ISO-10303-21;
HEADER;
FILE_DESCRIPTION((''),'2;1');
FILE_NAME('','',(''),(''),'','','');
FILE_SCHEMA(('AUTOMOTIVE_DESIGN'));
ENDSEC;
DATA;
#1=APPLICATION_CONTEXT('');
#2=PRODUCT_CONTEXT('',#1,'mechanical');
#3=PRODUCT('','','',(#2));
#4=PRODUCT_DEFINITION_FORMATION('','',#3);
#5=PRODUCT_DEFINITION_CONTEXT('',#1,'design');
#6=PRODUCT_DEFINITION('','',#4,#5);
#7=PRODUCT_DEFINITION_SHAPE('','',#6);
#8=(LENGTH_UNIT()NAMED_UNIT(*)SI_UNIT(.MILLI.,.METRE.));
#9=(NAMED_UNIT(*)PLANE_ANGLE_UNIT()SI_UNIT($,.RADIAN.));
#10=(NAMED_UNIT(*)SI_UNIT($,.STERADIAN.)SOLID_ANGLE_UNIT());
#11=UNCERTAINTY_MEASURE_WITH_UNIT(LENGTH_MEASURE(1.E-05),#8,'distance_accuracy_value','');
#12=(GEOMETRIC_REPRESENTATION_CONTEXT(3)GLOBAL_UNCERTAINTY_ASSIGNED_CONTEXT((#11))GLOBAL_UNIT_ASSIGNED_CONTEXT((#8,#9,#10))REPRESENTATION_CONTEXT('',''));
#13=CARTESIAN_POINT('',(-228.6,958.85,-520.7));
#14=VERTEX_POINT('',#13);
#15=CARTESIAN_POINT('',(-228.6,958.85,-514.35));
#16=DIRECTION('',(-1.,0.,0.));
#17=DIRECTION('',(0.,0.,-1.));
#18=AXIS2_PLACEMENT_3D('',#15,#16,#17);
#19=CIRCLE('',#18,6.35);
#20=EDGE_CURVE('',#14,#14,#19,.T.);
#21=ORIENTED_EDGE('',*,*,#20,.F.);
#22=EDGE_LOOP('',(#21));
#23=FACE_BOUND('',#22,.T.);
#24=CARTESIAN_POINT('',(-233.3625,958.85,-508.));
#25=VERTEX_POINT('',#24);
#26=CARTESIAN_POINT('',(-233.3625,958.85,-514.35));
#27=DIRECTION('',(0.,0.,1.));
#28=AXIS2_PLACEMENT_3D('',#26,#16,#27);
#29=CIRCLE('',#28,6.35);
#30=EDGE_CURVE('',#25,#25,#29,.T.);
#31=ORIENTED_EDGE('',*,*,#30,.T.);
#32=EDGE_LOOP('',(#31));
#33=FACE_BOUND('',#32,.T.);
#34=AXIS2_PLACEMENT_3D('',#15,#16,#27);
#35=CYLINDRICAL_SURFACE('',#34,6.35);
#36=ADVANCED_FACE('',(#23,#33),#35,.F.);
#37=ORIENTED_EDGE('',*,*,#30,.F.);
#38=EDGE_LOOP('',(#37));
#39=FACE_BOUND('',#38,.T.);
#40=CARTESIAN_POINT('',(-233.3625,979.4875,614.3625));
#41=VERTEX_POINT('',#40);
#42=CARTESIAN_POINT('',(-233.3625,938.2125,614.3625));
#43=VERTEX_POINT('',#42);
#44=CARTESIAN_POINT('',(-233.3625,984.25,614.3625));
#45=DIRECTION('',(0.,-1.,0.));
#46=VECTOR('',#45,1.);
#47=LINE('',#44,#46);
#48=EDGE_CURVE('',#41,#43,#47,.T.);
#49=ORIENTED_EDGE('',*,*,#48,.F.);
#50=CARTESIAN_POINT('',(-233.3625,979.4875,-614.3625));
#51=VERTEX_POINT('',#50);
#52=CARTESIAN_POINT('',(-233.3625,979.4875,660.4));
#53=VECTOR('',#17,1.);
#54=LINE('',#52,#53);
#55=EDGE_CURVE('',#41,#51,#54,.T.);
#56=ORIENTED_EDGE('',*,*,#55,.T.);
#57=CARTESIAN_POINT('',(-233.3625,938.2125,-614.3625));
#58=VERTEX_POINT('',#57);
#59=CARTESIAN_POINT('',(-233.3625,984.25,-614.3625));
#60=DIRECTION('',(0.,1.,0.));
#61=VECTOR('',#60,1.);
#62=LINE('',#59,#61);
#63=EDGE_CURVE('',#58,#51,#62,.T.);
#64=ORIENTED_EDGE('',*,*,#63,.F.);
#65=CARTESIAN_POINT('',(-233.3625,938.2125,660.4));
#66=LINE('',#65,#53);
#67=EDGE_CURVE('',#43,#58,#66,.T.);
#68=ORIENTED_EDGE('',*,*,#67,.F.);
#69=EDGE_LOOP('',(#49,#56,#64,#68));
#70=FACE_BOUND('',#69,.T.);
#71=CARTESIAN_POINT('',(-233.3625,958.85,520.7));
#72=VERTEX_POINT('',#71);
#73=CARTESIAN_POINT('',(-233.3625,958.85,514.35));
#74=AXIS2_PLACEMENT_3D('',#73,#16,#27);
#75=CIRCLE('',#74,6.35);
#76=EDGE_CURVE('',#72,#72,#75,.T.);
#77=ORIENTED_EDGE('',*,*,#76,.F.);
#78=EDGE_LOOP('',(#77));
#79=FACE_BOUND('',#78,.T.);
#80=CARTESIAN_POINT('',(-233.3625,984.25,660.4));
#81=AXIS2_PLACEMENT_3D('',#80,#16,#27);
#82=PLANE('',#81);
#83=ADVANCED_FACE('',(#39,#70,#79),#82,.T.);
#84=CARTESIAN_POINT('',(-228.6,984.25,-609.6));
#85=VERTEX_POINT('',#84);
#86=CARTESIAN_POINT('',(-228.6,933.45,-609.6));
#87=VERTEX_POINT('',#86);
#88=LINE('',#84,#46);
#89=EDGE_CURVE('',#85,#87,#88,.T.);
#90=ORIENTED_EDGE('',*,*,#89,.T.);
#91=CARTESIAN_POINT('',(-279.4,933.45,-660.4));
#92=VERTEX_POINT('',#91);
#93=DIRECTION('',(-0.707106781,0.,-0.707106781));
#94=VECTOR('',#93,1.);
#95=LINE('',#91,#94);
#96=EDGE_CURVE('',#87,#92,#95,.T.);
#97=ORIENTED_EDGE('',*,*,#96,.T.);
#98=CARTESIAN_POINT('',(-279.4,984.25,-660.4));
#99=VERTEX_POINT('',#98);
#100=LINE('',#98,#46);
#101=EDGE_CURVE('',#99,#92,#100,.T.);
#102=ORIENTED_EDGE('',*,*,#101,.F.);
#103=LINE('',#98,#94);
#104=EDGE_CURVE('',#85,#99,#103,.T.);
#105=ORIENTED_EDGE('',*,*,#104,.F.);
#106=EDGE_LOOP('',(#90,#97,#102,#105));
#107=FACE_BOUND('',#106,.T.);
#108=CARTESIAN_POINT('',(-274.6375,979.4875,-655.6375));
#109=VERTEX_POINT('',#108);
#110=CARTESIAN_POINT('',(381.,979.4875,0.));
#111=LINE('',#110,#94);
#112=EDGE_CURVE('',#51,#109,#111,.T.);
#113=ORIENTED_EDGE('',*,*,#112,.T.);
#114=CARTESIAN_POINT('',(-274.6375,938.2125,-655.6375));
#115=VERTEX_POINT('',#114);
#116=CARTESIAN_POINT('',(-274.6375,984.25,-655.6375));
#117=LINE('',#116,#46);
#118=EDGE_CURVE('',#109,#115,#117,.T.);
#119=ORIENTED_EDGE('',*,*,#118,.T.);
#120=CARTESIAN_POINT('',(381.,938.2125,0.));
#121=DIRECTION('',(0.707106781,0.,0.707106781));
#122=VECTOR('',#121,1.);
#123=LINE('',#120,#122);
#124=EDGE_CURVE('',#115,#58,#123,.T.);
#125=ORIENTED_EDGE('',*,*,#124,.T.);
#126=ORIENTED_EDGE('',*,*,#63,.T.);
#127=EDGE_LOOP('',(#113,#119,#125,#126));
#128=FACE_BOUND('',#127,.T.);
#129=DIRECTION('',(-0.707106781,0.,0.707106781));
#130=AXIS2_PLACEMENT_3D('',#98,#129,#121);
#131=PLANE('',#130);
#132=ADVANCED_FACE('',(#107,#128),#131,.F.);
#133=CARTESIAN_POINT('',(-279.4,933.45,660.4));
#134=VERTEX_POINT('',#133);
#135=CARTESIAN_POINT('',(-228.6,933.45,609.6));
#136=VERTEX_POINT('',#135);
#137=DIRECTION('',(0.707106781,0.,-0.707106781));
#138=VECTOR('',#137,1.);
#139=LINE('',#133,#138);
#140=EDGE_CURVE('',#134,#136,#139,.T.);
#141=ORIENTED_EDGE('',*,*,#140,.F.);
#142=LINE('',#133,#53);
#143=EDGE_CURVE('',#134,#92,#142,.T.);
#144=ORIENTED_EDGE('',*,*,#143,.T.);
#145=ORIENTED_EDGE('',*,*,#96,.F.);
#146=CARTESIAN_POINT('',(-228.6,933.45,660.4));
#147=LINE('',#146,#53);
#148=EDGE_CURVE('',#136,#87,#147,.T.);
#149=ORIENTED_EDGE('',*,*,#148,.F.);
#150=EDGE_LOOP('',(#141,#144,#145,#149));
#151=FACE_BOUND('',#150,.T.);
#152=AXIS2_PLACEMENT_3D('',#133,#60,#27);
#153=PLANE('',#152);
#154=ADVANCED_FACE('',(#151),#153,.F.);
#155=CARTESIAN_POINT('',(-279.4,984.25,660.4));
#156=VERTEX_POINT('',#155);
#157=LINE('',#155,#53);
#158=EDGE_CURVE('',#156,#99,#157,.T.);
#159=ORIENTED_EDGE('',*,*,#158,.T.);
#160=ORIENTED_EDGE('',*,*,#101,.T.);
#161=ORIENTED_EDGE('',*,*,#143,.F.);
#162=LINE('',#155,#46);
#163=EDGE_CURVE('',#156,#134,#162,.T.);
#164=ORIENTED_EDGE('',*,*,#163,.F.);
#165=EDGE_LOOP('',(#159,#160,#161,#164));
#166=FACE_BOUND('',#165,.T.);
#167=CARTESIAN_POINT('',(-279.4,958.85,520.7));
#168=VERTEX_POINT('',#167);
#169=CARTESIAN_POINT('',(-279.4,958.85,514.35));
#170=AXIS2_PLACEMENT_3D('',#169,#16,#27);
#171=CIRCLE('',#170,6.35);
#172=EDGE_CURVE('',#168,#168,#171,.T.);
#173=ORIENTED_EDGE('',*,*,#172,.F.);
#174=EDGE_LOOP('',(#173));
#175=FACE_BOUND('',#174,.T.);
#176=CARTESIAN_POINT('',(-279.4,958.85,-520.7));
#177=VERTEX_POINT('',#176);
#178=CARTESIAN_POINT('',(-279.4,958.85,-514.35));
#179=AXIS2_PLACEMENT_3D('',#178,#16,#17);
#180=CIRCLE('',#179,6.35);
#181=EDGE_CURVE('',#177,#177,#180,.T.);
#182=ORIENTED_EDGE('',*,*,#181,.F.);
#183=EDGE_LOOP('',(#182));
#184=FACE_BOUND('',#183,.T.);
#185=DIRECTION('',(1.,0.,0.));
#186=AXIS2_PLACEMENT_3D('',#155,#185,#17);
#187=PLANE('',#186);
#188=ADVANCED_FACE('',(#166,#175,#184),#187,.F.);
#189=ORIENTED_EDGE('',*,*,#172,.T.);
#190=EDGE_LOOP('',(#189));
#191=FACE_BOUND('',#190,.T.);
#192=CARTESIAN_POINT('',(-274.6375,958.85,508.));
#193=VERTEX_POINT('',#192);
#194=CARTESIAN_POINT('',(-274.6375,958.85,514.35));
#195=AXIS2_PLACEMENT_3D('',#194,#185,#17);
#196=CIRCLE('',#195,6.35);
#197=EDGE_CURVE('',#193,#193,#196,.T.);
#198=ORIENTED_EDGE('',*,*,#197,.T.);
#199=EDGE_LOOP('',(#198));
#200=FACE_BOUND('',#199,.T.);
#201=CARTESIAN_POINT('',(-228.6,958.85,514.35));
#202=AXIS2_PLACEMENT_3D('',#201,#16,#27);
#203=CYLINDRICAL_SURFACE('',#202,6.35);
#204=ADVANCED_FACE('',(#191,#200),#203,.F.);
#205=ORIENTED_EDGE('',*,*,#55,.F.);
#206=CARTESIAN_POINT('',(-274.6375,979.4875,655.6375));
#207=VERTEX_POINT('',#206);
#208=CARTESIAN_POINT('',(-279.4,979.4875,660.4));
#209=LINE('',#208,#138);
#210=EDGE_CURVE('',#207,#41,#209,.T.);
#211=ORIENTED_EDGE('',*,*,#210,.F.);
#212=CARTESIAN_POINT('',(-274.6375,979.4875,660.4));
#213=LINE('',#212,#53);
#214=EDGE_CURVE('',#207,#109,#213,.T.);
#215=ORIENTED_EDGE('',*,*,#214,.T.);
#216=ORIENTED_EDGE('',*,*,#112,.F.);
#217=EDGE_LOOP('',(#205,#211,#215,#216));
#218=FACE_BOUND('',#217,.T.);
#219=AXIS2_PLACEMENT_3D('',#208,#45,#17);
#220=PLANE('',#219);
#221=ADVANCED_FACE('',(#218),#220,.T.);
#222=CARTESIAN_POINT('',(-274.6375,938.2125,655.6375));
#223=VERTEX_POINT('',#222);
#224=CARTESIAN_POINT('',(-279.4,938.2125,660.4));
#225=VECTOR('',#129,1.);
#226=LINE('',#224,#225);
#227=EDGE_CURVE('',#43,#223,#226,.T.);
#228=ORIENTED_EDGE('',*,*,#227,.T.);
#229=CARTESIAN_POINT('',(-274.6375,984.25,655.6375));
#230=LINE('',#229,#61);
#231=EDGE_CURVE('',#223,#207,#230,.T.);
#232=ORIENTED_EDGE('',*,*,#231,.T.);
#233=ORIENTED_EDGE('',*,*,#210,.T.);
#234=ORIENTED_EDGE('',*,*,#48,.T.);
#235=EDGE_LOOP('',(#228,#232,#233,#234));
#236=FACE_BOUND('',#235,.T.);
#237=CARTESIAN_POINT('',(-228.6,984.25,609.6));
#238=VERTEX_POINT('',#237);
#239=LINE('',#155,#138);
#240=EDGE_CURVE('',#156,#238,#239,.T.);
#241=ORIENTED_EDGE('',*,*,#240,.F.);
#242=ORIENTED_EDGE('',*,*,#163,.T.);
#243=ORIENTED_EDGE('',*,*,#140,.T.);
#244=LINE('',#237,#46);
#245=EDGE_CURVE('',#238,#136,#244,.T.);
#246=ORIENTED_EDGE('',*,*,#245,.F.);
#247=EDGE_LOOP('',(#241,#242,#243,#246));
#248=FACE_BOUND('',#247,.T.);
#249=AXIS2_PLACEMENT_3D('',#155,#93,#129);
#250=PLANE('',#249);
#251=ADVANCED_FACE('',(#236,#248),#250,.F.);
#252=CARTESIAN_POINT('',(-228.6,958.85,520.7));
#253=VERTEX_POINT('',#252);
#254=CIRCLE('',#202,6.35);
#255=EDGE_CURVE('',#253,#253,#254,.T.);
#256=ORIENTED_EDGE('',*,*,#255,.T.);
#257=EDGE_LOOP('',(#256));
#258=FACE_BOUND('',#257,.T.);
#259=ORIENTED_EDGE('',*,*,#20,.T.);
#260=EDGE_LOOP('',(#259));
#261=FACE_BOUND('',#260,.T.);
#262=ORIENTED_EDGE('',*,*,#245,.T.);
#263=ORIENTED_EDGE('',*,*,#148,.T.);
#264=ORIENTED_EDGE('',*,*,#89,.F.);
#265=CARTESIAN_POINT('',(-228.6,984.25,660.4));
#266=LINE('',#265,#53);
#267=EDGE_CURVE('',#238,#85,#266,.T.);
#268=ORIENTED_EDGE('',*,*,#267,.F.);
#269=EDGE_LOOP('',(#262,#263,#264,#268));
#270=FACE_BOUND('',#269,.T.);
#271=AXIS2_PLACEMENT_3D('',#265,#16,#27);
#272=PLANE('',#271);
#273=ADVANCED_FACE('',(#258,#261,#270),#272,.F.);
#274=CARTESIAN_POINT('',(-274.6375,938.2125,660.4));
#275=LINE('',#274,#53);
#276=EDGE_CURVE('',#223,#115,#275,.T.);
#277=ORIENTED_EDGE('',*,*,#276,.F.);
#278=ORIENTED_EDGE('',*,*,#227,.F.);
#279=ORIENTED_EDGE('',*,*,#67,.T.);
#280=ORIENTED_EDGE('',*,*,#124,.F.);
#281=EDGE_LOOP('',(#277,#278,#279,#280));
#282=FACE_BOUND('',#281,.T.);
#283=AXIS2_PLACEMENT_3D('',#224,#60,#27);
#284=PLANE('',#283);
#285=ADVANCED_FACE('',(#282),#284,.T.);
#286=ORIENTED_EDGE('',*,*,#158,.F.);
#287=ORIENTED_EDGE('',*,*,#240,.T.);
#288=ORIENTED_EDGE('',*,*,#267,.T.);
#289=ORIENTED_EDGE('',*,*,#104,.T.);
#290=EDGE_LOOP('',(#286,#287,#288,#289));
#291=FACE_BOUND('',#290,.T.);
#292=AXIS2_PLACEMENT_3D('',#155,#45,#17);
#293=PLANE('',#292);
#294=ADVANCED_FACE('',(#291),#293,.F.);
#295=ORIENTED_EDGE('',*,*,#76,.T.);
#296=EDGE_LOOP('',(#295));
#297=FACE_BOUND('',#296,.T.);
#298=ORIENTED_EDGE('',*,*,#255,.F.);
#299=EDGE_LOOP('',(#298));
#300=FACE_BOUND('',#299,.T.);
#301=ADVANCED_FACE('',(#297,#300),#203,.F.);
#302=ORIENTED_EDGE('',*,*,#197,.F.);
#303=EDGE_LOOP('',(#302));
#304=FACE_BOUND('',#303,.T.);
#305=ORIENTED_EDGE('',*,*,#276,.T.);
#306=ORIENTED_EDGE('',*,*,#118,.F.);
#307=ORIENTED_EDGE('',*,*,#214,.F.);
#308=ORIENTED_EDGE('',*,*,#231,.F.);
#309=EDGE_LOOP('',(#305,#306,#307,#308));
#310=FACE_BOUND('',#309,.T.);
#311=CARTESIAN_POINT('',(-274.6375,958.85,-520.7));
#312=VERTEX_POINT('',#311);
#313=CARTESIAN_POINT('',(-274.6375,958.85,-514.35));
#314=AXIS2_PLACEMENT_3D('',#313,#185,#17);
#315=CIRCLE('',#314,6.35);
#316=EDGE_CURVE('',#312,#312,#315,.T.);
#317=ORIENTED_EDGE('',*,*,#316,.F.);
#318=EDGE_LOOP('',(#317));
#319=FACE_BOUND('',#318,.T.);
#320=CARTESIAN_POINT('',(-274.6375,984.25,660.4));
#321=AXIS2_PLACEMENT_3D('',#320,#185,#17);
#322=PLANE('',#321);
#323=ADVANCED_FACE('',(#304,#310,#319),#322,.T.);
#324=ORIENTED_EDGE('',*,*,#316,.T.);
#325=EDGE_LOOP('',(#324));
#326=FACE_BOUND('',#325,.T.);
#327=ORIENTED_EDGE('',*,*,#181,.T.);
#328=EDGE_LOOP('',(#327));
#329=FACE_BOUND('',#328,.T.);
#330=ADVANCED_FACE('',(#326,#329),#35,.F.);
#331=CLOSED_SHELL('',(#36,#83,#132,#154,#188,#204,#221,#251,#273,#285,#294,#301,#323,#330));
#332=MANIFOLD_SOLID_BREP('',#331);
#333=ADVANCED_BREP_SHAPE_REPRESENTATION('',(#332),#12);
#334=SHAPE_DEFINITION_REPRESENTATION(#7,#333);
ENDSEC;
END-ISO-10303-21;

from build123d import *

# Parameters (mm, degrees)
SKETCH1_W           = 50.8
SKETCH1_H           = 50.8
SKETCH1_W_2         = 41.275
SKETCH1_H_2         = 41.275
EXTRUDE_THIN1_DEPTH = 660.4
CUT_EXTRUDE1_DEPTH  = 51.8
SKETCH4_R           = 6.35
CUT_EXTRUDE2_DEPTH  = 51.8


with BuildPart() as part:
    # Sketch1 → Extrude-Thin1 (new body, symmetric)
    with BuildSketch(Plane.XY):
        with Locations((-254, 958.85)):
            Rectangle(SKETCH1_W, SKETCH1_H)
        with Locations((-254, 958.85)):
            Rectangle(SKETCH1_W_2, SKETCH1_H_2, mode=Mode.SUBTRACT)
    extrude(amount=EXTRUDE_THIN1_DEPTH, both=True)

    # Sketch3 → Cut-Extrude1 (cut, through all)
    with BuildSketch(Plane.XZ.offset(-933.45)):
        Polygon((-279.4, 660.4), (-228.6, 609.6), (-228.6, 660.4), align=None)
        Polygon((-279.4, -660.4), (-228.6, -609.6), (-228.6, -660.4), align=None)
    extrude(amount=-CUT_EXTRUDE1_DEPTH, mode=Mode.SUBTRACT)

    # Sketch4 → Cut-Extrude2 (cut, through all)
    with BuildSketch(Plane.ZY.offset(279.4)):
        with Locations((514.35, 958.85)):
            Circle(SKETCH4_R)
        with Locations((-514.35, 958.85)):
            Circle(SKETCH4_R)
    extrude(amount=-CUT_EXTRUDE2_DEPTH, mode=Mode.SUBTRACT)


solid = part.part
